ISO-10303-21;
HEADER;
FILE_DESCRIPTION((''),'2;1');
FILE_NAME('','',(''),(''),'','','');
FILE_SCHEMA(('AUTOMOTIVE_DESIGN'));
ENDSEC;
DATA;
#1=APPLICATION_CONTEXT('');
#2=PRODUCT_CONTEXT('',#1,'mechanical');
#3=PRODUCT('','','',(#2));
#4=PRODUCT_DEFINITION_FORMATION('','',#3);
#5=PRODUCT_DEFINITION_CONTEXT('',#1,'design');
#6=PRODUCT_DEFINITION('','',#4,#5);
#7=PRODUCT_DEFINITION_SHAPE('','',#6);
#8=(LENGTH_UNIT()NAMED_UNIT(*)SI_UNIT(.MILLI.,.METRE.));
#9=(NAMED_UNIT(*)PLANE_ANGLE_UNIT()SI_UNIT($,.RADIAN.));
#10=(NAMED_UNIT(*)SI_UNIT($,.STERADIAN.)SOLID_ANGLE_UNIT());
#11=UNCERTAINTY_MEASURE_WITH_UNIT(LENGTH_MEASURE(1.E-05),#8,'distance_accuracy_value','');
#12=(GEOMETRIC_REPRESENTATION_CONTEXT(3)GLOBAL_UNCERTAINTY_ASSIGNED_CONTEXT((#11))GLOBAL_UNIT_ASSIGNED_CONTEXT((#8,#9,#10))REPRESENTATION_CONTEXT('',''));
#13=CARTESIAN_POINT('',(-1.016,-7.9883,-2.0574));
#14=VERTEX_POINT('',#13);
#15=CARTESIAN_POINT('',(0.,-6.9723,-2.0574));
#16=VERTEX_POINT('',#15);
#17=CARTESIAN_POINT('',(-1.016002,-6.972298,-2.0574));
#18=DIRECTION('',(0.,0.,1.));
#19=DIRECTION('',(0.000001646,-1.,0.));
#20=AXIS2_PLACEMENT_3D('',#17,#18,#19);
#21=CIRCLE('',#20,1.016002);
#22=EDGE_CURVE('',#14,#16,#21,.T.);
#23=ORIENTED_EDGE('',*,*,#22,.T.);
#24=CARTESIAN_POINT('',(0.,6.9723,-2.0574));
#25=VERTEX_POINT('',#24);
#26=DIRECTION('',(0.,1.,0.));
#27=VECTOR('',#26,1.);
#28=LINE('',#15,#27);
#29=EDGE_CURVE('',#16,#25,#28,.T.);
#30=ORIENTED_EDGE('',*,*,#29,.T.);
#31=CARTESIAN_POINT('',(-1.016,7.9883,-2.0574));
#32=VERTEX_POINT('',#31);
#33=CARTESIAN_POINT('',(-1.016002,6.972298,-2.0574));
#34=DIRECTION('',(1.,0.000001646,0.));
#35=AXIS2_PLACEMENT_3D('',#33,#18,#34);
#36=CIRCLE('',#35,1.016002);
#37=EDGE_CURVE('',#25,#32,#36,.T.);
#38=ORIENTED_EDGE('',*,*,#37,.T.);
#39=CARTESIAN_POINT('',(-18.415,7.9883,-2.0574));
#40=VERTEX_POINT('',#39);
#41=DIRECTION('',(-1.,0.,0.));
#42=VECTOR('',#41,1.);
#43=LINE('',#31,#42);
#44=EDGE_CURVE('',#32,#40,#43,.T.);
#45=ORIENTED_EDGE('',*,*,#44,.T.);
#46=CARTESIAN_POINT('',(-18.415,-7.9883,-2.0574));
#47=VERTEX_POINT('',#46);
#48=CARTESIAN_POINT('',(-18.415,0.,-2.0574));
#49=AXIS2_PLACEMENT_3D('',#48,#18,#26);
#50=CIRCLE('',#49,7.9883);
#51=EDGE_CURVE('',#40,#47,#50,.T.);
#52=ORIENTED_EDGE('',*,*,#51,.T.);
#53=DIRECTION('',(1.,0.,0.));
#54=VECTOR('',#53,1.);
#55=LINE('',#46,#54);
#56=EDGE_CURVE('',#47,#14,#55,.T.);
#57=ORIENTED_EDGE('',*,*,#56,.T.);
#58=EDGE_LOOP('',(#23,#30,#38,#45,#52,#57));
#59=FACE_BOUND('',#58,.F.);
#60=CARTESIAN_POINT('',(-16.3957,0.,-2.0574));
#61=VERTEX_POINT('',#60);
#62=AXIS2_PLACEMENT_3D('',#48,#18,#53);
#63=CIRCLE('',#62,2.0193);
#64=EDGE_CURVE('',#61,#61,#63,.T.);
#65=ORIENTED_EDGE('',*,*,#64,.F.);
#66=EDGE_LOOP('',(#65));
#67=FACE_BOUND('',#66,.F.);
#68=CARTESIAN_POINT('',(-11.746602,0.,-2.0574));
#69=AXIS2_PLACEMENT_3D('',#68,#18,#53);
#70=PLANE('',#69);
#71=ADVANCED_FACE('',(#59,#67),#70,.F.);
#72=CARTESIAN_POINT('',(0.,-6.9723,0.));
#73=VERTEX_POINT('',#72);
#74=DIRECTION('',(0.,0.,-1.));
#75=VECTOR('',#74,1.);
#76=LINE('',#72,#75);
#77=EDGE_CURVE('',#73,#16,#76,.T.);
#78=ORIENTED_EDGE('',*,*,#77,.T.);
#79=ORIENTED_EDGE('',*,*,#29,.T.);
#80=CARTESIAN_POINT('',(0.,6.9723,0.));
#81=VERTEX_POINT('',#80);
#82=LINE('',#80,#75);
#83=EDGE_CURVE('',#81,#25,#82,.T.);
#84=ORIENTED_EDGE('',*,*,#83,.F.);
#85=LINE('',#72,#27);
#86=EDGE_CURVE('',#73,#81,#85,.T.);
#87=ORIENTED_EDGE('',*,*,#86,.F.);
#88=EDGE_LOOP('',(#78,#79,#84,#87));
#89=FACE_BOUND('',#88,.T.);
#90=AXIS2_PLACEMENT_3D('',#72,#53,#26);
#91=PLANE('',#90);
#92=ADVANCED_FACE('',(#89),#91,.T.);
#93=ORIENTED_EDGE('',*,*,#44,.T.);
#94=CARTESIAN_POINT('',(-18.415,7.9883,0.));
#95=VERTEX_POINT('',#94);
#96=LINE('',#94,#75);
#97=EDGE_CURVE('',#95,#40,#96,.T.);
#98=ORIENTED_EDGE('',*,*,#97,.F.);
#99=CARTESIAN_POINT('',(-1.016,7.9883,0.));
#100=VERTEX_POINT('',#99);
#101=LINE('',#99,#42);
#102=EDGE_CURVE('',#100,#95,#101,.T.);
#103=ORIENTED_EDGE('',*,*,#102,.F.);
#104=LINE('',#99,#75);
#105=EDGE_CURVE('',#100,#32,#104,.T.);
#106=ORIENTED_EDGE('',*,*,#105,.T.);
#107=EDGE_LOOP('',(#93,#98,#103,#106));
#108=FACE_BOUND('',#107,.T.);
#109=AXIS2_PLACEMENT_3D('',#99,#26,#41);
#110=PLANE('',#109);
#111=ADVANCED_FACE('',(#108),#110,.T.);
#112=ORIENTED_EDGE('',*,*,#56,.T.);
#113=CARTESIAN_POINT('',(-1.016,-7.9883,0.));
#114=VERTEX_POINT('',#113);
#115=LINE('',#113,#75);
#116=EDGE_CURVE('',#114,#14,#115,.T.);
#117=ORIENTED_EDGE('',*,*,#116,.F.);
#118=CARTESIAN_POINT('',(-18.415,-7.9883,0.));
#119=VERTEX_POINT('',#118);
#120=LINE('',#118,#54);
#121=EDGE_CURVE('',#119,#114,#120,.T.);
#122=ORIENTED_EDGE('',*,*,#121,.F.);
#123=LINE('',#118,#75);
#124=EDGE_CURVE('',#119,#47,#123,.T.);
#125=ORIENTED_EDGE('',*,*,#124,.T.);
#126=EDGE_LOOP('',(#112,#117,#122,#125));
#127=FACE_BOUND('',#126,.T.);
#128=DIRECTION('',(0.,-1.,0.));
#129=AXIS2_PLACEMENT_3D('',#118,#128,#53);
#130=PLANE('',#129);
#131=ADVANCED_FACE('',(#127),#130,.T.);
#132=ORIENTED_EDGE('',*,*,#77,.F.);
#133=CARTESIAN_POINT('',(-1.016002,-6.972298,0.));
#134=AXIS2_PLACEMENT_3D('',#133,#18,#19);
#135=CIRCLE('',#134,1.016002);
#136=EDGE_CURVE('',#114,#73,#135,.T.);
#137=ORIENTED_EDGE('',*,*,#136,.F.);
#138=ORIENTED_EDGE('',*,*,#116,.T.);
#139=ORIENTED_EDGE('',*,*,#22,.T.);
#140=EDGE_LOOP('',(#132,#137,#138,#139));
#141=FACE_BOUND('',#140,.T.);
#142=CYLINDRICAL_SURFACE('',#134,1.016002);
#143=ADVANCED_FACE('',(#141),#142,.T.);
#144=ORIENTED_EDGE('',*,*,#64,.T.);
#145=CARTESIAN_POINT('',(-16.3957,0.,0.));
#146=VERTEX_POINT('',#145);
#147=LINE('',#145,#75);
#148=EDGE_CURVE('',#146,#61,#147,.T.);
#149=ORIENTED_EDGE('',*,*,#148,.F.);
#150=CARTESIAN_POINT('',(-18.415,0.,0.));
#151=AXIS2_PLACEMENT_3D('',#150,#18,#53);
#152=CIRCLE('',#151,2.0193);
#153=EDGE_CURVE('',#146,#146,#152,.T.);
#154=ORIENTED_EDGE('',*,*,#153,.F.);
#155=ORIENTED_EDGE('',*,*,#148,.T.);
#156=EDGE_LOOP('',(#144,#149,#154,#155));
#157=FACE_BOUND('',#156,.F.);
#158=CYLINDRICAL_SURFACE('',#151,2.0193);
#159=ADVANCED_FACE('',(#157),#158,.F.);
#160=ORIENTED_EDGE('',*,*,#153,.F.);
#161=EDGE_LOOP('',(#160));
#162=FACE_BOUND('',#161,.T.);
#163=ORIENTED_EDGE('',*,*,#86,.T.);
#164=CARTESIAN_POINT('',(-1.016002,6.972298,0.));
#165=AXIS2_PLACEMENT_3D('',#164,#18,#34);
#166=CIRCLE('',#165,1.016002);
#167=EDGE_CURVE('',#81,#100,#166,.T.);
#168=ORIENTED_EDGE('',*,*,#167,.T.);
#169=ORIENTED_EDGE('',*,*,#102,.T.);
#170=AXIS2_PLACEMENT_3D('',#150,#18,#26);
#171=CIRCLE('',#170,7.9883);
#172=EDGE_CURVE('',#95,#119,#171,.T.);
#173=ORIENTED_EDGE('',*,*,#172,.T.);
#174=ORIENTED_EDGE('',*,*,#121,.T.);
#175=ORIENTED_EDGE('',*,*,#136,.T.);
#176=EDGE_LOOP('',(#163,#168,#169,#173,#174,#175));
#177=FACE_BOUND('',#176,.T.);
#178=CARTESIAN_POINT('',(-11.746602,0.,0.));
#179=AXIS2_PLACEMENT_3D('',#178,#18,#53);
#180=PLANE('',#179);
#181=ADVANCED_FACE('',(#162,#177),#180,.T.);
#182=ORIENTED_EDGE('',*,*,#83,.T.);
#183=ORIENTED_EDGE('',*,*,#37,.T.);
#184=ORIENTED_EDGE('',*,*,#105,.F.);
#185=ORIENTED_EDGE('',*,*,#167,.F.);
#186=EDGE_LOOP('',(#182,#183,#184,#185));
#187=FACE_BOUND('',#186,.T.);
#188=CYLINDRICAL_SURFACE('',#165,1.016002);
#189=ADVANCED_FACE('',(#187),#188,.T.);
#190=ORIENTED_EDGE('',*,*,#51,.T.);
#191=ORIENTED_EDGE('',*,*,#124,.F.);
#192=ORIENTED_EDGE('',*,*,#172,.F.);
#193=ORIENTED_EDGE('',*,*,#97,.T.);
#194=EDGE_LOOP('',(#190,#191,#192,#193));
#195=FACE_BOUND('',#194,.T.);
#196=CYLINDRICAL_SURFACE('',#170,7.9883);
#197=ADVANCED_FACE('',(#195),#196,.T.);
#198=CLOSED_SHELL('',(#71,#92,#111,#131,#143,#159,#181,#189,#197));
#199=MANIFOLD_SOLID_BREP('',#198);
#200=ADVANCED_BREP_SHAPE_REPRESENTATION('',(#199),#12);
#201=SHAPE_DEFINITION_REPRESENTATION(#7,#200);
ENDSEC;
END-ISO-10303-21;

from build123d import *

# Parameters (mm, degrees)
F0_R     = 2.0193
F1_DEPTH = 2.0574


with BuildPart() as f1:
    # F0 (on Top) → F1 (new body)
    with BuildSketch(Plane.XY):
        with BuildLine():
            ThreePointArc((0, 6.9723), (-0.29758, 7.69072), (-1.016, 7.9883))
            Line((-1.016, 7.9883), (-18.415, 7.9883))
            ThreePointArc((-18.415, 7.9883), (-26.4033, 0), (-18.415, -7.9883))
            Line((-18.415, -7.9883), (-1.016, -7.9883))
            ThreePointArc((-1.016, -7.9883), (-0.29758, -7.69072), (0, -6.9723))
            Line((0, -6.9723), (0, 6.9723))
        make_face()
        with Locations((-18.415, 0)):
            Circle(F0_R, mode=Mode.SUBTRACT)
    extrude(amount=-F1_DEPTH)


solid = f1.part
